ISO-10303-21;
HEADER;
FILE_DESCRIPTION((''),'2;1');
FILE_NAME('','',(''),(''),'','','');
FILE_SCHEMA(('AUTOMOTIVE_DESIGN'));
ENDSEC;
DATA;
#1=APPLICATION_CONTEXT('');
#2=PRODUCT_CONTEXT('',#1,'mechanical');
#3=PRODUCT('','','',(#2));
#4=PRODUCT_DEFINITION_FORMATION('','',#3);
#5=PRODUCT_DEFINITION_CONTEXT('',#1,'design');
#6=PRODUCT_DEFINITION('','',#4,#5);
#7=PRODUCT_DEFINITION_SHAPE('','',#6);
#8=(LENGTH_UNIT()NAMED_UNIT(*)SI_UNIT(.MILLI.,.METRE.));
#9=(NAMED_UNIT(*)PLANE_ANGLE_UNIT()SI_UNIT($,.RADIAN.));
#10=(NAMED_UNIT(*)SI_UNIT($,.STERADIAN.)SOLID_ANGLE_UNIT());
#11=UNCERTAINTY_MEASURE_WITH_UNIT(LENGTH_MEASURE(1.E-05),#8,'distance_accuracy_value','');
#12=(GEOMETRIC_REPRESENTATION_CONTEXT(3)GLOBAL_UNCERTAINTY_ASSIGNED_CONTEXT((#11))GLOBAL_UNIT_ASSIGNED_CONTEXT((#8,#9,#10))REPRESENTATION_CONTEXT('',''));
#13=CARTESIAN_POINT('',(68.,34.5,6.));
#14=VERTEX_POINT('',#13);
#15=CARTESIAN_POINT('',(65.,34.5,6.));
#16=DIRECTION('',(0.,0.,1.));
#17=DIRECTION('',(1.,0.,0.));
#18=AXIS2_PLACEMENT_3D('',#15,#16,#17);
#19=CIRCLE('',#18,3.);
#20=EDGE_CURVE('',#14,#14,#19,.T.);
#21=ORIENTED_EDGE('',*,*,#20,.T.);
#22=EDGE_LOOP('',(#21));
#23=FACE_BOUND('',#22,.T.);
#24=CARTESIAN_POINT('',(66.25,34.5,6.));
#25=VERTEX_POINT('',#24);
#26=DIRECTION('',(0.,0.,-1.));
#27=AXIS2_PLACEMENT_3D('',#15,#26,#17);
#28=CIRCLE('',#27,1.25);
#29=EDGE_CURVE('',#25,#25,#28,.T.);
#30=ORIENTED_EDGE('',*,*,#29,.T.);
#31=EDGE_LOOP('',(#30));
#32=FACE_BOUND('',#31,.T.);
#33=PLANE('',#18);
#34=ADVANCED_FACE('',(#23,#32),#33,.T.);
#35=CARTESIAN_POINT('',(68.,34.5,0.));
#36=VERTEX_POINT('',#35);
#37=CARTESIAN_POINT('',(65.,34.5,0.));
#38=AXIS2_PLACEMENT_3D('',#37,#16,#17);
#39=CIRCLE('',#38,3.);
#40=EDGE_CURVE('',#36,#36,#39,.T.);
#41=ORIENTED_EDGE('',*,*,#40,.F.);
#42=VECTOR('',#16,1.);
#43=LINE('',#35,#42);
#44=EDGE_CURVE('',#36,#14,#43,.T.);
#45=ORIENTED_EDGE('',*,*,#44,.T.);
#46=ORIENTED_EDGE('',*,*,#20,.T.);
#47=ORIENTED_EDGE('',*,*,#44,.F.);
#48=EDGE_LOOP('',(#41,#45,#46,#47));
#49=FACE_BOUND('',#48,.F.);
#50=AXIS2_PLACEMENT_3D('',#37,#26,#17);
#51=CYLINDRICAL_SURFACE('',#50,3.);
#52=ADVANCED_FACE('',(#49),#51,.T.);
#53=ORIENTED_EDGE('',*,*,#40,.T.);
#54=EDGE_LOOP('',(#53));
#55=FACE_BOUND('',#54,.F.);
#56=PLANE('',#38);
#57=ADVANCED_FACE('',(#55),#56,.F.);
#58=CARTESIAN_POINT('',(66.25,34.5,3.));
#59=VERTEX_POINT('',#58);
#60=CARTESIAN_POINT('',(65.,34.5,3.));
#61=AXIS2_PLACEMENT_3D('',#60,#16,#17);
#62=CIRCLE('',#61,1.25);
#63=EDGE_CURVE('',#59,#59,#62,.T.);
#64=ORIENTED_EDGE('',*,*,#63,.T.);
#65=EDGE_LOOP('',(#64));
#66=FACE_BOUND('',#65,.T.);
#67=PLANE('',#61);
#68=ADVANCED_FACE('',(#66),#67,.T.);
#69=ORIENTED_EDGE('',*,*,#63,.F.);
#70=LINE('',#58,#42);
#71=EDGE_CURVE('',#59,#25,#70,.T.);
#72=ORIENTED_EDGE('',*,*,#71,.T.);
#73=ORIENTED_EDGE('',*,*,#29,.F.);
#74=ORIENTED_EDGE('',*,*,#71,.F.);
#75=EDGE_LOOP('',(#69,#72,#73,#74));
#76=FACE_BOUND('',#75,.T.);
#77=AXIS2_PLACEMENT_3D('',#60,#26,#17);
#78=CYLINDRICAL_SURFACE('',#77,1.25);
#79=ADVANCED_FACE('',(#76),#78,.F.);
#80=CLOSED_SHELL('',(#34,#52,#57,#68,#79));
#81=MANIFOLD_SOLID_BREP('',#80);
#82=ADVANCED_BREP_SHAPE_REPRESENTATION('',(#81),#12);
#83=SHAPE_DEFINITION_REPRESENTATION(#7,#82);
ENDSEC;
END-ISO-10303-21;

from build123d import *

# Parameters (mm, degrees)
CYLINDER018_R     = 1.25
CYLINDER018_DEPTH = 5
CYLINDER014_R     = 3
CYLINDER014_DEPTH = 6


with BuildPart() as b_sw007:
    # Cylinder018 → Cylinder018 (new body)
    with BuildSketch(Plane(origin=(55, 28, 3), x_dir=(1, 0, 0), z_dir=(0, 0, 1))):
        Circle(CYLINDER018_R)
    extrude(amount=CYLINDER018_DEPTH)


with BuildPart() as h_cut007:
    # Cylinder014 → Cylinder014 (new body)
    with BuildSketch(Plane(origin=(55, 28, 0), x_dir=(1, 0, 0), z_dir=(0, 0, 1))):
        Circle(CYLINDER014_R)
    extrude(amount=CYLINDER014_DEPTH)

    # Cut007: cut B_SW007
    add(b_sw007.part, mode=Mode.SUBTRACT)


with BuildPart() as h_cut007_1:
    # Cut007 placement: moved
    add(h_cut007.part.moved(Location((10, 6.5, 0))))


solid = h_cut007_1.part
